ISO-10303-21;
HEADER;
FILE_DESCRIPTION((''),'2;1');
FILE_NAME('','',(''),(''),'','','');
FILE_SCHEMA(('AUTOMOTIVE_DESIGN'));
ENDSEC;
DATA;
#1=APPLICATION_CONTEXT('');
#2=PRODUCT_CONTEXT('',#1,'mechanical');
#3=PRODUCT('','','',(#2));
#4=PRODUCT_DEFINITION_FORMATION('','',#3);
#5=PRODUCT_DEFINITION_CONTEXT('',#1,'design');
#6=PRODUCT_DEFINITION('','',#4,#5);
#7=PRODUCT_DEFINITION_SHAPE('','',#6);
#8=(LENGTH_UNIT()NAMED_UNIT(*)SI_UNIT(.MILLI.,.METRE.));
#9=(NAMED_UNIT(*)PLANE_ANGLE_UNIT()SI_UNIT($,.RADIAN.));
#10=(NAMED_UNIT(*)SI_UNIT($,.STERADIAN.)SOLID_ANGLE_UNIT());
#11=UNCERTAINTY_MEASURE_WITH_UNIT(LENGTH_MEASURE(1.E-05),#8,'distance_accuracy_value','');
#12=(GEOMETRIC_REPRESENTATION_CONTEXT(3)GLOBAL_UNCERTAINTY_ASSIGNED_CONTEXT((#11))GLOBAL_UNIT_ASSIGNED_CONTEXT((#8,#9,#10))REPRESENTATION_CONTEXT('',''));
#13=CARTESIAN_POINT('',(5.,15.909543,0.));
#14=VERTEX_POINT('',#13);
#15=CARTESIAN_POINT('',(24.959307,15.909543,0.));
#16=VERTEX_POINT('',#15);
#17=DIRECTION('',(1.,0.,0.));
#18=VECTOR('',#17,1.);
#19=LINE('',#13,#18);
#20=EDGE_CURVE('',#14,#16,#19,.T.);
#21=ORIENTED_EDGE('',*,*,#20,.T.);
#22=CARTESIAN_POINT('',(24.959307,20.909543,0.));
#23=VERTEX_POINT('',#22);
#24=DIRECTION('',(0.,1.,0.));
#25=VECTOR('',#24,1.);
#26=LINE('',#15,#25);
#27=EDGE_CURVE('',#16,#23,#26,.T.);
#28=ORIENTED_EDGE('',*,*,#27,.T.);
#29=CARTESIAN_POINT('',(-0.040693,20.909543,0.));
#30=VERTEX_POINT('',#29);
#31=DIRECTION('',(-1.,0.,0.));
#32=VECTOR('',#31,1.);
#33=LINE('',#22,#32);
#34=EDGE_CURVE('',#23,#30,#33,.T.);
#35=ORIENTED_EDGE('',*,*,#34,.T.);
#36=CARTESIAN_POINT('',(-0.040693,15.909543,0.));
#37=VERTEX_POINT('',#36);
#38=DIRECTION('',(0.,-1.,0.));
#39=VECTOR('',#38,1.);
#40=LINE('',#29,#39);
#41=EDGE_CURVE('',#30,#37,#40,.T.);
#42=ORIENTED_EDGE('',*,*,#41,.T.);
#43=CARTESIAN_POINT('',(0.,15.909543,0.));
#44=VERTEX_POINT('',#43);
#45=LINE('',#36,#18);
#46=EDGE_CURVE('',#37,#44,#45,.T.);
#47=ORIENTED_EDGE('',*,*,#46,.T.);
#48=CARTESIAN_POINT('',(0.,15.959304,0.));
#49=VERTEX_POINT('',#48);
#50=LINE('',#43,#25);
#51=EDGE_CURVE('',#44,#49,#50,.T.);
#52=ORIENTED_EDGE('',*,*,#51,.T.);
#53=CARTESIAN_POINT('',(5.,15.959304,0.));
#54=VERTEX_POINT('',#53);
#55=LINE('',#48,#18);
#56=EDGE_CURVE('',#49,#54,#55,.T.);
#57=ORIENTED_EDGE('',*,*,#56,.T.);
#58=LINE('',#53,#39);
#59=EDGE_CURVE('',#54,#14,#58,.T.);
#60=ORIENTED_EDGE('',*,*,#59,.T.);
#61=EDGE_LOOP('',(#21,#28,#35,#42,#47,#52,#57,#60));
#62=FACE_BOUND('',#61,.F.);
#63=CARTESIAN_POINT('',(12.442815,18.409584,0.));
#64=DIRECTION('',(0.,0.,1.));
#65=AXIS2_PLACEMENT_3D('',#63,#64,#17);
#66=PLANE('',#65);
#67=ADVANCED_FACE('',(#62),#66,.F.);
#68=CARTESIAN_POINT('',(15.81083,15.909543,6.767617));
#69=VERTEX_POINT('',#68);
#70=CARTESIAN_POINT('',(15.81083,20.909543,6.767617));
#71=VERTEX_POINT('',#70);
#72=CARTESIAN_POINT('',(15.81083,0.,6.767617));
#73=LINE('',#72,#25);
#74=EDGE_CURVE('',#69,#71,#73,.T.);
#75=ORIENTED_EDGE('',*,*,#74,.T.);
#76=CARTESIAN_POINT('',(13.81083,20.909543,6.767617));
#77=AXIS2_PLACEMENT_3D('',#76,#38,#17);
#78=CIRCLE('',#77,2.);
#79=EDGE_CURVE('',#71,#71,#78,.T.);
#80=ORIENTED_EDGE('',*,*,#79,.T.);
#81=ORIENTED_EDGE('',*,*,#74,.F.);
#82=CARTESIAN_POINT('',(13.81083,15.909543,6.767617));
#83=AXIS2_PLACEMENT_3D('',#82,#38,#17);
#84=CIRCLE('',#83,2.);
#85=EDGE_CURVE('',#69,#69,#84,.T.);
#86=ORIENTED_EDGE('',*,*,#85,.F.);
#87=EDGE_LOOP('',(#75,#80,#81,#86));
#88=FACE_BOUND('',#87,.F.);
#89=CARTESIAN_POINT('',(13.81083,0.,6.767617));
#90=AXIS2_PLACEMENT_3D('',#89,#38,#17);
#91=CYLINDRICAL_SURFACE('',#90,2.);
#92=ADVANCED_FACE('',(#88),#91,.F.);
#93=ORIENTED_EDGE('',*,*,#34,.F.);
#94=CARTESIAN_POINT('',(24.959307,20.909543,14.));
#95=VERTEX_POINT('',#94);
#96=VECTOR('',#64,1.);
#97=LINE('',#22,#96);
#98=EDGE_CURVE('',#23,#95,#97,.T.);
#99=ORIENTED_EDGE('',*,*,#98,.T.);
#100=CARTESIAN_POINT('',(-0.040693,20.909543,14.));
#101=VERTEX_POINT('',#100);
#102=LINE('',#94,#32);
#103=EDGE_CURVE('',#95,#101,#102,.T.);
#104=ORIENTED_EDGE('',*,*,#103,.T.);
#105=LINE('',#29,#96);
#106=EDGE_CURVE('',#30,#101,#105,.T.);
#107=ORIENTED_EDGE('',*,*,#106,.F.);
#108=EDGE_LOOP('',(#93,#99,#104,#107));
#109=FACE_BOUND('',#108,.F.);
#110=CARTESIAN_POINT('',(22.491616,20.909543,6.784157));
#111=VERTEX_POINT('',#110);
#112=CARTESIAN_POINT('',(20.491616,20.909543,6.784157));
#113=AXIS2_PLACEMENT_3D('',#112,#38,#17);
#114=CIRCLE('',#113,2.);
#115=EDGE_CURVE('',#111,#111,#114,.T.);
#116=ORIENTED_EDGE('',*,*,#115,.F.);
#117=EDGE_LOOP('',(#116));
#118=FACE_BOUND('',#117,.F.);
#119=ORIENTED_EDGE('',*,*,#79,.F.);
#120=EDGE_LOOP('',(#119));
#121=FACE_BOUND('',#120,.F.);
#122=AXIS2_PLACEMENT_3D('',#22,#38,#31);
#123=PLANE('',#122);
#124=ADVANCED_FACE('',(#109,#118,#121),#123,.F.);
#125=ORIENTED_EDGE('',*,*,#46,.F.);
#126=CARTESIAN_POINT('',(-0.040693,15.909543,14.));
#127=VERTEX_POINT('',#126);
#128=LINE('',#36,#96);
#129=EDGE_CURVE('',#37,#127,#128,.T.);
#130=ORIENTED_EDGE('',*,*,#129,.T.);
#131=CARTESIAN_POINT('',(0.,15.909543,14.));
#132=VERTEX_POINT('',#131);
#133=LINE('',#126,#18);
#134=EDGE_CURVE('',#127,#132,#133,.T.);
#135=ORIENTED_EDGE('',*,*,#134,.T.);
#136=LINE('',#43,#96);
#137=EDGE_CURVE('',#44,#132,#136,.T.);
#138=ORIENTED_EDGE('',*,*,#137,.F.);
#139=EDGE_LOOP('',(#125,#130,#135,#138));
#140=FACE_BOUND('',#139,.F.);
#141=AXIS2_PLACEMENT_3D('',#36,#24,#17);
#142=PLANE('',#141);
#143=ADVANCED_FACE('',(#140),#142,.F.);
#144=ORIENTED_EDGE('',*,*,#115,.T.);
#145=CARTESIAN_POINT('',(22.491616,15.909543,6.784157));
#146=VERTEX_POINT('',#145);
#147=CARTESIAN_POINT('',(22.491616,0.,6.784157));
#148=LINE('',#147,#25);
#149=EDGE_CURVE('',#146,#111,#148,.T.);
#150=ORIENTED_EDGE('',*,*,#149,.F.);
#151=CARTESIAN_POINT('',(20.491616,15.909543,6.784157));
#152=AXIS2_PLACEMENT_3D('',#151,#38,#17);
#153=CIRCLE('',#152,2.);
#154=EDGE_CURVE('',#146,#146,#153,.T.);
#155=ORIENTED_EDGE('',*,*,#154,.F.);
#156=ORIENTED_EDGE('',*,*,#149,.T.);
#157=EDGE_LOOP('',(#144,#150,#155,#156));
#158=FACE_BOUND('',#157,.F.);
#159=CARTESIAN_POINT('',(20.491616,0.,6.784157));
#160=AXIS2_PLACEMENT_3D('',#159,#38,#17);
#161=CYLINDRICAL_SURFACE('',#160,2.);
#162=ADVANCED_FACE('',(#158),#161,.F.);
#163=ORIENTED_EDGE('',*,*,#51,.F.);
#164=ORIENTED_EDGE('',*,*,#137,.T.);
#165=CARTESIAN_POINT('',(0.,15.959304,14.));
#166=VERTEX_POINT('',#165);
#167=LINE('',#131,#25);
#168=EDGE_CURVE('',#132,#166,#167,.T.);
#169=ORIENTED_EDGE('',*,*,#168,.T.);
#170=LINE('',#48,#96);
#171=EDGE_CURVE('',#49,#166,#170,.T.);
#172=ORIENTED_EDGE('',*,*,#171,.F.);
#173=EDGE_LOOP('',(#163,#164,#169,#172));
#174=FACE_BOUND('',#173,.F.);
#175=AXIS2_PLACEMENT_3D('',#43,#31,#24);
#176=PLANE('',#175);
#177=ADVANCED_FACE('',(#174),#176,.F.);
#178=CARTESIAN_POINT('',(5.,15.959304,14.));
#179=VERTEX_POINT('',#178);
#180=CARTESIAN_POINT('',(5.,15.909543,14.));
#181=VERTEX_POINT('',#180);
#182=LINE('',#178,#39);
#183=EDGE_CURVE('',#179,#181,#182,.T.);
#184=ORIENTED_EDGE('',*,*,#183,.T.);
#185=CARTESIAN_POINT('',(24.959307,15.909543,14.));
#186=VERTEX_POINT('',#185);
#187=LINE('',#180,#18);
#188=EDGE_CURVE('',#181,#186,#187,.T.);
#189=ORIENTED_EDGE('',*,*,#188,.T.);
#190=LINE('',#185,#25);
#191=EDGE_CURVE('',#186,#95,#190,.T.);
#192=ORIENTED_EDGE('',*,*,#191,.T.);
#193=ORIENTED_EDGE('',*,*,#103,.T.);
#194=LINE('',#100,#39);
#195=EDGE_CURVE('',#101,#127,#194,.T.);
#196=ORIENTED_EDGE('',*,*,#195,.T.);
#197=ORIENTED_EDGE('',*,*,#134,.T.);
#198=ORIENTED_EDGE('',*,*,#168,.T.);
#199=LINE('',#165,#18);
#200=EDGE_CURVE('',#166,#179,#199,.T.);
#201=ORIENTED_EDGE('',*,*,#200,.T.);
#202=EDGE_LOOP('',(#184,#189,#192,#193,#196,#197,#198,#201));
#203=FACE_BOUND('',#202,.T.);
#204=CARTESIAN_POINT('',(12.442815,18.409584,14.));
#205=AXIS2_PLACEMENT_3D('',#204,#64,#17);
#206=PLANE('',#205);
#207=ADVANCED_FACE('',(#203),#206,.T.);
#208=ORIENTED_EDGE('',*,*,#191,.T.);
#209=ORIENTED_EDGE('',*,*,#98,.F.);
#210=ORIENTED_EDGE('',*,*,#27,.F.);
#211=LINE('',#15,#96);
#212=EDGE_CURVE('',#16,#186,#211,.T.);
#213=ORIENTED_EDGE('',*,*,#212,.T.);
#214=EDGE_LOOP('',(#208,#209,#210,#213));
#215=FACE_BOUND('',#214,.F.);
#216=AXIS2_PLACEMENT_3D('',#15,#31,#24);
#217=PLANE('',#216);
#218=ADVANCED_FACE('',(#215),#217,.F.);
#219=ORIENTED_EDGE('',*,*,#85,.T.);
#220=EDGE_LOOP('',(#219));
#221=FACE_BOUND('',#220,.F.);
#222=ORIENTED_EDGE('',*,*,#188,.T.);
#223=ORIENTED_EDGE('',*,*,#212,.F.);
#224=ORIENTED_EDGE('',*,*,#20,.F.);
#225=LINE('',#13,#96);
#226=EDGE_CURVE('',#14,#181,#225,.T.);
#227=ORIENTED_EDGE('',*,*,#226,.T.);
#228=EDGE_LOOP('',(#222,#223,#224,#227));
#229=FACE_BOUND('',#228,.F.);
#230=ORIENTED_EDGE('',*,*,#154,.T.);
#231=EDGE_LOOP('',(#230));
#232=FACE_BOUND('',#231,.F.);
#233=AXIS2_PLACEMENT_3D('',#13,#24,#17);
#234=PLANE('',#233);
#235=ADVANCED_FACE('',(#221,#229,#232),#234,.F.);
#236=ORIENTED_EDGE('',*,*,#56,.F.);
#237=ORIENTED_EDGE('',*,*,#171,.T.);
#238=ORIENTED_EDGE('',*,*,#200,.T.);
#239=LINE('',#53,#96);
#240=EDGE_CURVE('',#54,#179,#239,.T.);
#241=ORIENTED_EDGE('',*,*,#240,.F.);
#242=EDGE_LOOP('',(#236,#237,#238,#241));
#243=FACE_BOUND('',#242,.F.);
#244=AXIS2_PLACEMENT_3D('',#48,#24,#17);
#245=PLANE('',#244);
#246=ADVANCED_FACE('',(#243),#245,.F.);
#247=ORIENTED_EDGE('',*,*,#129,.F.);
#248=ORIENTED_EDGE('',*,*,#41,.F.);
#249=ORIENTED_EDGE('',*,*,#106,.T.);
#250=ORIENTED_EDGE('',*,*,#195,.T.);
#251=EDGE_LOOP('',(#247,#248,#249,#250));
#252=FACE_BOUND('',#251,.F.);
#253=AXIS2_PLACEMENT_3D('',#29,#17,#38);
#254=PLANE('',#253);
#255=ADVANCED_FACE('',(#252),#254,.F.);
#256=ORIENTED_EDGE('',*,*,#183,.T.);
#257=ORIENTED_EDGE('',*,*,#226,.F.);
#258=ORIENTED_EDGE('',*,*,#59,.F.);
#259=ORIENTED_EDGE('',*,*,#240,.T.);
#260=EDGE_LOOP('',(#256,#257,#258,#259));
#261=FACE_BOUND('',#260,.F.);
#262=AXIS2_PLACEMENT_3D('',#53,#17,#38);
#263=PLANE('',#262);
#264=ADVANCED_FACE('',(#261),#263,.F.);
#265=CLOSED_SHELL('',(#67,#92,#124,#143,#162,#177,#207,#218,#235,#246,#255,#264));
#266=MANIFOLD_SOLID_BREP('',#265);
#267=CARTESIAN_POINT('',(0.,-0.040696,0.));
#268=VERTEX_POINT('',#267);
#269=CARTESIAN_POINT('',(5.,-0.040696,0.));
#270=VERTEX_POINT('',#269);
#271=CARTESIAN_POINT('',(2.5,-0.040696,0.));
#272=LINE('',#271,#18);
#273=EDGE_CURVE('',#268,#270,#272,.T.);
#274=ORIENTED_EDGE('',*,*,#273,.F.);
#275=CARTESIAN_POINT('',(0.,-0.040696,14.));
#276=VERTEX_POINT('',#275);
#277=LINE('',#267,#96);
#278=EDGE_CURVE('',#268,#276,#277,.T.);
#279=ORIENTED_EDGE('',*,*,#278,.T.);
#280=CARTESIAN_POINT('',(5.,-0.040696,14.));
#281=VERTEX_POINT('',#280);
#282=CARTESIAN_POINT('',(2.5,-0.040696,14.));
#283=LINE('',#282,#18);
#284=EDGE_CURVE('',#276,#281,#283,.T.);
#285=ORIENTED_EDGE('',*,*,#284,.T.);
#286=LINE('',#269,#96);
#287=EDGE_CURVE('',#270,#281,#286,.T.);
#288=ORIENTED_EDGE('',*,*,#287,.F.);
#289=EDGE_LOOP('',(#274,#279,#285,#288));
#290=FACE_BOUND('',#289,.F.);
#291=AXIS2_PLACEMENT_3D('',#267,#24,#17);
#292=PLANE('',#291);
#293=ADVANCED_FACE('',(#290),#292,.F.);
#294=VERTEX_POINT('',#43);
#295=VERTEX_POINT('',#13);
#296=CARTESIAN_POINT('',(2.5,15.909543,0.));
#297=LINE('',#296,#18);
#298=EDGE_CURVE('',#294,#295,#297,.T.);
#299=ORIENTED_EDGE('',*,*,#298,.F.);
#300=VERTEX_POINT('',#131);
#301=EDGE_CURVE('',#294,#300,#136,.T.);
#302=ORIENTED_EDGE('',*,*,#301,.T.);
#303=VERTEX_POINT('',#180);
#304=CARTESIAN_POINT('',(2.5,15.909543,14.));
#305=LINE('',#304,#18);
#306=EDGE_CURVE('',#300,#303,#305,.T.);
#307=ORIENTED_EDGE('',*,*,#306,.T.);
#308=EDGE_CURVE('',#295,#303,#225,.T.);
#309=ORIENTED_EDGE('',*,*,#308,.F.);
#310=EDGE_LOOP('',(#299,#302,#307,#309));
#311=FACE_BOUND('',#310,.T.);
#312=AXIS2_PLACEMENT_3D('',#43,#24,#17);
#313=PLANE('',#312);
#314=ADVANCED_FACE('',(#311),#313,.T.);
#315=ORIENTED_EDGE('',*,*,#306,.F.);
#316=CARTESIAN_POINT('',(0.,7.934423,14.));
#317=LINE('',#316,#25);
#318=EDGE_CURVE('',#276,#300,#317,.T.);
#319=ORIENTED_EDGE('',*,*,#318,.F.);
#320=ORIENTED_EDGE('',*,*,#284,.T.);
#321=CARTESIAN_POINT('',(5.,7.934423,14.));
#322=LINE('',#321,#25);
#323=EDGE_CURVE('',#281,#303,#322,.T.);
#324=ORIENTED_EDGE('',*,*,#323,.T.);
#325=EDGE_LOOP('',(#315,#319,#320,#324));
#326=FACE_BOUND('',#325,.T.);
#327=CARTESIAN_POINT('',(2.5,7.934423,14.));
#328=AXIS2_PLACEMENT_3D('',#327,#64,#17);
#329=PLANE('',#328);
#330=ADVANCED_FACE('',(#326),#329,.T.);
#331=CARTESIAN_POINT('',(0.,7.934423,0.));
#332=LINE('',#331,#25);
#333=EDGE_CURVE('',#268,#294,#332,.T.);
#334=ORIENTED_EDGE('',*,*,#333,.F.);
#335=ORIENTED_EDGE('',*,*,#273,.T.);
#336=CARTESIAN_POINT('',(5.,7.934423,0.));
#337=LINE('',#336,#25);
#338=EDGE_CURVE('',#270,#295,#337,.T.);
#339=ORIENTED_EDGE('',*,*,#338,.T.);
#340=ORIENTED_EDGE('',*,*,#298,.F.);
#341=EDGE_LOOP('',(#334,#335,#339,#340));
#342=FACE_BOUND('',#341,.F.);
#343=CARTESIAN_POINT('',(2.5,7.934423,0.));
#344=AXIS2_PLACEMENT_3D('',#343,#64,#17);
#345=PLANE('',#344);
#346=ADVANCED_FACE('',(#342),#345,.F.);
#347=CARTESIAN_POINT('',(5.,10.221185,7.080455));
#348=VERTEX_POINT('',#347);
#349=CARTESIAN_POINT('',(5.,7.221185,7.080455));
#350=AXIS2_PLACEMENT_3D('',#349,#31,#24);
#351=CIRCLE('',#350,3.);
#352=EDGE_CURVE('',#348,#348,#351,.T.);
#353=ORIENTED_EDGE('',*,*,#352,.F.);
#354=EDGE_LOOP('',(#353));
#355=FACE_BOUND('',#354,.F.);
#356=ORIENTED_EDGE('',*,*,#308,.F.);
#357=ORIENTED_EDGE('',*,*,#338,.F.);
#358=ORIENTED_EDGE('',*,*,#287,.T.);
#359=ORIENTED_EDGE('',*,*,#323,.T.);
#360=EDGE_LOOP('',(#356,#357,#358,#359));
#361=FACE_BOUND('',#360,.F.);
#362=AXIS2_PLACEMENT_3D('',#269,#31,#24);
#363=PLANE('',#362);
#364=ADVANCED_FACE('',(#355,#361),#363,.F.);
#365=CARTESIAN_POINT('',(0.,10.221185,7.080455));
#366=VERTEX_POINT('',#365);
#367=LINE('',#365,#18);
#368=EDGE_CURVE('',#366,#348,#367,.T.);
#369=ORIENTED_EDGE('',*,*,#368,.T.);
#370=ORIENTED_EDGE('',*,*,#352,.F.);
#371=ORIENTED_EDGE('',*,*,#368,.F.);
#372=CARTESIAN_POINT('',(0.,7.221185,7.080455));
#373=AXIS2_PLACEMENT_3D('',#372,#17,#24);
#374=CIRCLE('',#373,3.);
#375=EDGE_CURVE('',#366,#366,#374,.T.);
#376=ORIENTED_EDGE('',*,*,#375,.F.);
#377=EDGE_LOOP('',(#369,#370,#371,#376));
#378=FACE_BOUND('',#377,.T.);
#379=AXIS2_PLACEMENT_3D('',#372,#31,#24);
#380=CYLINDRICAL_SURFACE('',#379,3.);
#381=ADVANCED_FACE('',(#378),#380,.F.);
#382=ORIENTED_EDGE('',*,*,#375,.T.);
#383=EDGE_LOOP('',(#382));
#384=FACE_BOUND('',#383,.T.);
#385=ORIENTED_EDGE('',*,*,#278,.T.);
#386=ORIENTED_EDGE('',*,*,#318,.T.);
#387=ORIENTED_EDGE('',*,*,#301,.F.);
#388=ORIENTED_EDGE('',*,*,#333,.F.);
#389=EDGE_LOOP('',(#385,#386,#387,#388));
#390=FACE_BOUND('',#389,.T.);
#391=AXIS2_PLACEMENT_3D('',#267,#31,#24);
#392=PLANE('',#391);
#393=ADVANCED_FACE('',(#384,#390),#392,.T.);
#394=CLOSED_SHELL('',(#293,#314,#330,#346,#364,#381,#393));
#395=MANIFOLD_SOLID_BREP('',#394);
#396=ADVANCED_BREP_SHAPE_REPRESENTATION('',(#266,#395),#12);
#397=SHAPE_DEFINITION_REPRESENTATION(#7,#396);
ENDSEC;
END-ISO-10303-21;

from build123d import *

# Parameters (mm, degrees)
F0_W     = 5
F0_H     = 15.950239
F1_DEPTH = 14
F2_R     = 3
F3_DEPTH = 9.3
F4_R     = 2
F5_DEPTH = 25


with BuildPart() as f1:
    # F0 (on Top) → F1 (new body)
    with BuildSketch(Plane.XY):
        Polygon((0, 15.909543), (0, 15.959304), (5, 15.959304), (5, 15.909543), (24.959307, 15.909543), (24.959307, 20.909543), (-0.040693, 20.909543), (-0.040693, 15.909543), align=None)
        with Locations((2.5, 7.934423)):
            Rectangle(F0_W, F0_H)
    extrude(amount=F1_DEPTH)

    # F2 (on Right) → F3 (cut)
    with BuildSketch(Plane.YZ):
        with Locations((7.221185, 7.080455)):
            Circle(F2_R)
    extrude(amount=F3_DEPTH, mode=Mode.SUBTRACT)

    # F4 (on Front) → F5 (cut)
    with BuildSketch(Plane.XZ):
        with Locations((13.81083, 6.767617)):
            Circle(F4_R)
        with Locations((20.491616, 6.784157)):
            Circle(F4_R)
    extrude(amount=-F5_DEPTH, mode=Mode.SUBTRACT)


solid = f1.part
